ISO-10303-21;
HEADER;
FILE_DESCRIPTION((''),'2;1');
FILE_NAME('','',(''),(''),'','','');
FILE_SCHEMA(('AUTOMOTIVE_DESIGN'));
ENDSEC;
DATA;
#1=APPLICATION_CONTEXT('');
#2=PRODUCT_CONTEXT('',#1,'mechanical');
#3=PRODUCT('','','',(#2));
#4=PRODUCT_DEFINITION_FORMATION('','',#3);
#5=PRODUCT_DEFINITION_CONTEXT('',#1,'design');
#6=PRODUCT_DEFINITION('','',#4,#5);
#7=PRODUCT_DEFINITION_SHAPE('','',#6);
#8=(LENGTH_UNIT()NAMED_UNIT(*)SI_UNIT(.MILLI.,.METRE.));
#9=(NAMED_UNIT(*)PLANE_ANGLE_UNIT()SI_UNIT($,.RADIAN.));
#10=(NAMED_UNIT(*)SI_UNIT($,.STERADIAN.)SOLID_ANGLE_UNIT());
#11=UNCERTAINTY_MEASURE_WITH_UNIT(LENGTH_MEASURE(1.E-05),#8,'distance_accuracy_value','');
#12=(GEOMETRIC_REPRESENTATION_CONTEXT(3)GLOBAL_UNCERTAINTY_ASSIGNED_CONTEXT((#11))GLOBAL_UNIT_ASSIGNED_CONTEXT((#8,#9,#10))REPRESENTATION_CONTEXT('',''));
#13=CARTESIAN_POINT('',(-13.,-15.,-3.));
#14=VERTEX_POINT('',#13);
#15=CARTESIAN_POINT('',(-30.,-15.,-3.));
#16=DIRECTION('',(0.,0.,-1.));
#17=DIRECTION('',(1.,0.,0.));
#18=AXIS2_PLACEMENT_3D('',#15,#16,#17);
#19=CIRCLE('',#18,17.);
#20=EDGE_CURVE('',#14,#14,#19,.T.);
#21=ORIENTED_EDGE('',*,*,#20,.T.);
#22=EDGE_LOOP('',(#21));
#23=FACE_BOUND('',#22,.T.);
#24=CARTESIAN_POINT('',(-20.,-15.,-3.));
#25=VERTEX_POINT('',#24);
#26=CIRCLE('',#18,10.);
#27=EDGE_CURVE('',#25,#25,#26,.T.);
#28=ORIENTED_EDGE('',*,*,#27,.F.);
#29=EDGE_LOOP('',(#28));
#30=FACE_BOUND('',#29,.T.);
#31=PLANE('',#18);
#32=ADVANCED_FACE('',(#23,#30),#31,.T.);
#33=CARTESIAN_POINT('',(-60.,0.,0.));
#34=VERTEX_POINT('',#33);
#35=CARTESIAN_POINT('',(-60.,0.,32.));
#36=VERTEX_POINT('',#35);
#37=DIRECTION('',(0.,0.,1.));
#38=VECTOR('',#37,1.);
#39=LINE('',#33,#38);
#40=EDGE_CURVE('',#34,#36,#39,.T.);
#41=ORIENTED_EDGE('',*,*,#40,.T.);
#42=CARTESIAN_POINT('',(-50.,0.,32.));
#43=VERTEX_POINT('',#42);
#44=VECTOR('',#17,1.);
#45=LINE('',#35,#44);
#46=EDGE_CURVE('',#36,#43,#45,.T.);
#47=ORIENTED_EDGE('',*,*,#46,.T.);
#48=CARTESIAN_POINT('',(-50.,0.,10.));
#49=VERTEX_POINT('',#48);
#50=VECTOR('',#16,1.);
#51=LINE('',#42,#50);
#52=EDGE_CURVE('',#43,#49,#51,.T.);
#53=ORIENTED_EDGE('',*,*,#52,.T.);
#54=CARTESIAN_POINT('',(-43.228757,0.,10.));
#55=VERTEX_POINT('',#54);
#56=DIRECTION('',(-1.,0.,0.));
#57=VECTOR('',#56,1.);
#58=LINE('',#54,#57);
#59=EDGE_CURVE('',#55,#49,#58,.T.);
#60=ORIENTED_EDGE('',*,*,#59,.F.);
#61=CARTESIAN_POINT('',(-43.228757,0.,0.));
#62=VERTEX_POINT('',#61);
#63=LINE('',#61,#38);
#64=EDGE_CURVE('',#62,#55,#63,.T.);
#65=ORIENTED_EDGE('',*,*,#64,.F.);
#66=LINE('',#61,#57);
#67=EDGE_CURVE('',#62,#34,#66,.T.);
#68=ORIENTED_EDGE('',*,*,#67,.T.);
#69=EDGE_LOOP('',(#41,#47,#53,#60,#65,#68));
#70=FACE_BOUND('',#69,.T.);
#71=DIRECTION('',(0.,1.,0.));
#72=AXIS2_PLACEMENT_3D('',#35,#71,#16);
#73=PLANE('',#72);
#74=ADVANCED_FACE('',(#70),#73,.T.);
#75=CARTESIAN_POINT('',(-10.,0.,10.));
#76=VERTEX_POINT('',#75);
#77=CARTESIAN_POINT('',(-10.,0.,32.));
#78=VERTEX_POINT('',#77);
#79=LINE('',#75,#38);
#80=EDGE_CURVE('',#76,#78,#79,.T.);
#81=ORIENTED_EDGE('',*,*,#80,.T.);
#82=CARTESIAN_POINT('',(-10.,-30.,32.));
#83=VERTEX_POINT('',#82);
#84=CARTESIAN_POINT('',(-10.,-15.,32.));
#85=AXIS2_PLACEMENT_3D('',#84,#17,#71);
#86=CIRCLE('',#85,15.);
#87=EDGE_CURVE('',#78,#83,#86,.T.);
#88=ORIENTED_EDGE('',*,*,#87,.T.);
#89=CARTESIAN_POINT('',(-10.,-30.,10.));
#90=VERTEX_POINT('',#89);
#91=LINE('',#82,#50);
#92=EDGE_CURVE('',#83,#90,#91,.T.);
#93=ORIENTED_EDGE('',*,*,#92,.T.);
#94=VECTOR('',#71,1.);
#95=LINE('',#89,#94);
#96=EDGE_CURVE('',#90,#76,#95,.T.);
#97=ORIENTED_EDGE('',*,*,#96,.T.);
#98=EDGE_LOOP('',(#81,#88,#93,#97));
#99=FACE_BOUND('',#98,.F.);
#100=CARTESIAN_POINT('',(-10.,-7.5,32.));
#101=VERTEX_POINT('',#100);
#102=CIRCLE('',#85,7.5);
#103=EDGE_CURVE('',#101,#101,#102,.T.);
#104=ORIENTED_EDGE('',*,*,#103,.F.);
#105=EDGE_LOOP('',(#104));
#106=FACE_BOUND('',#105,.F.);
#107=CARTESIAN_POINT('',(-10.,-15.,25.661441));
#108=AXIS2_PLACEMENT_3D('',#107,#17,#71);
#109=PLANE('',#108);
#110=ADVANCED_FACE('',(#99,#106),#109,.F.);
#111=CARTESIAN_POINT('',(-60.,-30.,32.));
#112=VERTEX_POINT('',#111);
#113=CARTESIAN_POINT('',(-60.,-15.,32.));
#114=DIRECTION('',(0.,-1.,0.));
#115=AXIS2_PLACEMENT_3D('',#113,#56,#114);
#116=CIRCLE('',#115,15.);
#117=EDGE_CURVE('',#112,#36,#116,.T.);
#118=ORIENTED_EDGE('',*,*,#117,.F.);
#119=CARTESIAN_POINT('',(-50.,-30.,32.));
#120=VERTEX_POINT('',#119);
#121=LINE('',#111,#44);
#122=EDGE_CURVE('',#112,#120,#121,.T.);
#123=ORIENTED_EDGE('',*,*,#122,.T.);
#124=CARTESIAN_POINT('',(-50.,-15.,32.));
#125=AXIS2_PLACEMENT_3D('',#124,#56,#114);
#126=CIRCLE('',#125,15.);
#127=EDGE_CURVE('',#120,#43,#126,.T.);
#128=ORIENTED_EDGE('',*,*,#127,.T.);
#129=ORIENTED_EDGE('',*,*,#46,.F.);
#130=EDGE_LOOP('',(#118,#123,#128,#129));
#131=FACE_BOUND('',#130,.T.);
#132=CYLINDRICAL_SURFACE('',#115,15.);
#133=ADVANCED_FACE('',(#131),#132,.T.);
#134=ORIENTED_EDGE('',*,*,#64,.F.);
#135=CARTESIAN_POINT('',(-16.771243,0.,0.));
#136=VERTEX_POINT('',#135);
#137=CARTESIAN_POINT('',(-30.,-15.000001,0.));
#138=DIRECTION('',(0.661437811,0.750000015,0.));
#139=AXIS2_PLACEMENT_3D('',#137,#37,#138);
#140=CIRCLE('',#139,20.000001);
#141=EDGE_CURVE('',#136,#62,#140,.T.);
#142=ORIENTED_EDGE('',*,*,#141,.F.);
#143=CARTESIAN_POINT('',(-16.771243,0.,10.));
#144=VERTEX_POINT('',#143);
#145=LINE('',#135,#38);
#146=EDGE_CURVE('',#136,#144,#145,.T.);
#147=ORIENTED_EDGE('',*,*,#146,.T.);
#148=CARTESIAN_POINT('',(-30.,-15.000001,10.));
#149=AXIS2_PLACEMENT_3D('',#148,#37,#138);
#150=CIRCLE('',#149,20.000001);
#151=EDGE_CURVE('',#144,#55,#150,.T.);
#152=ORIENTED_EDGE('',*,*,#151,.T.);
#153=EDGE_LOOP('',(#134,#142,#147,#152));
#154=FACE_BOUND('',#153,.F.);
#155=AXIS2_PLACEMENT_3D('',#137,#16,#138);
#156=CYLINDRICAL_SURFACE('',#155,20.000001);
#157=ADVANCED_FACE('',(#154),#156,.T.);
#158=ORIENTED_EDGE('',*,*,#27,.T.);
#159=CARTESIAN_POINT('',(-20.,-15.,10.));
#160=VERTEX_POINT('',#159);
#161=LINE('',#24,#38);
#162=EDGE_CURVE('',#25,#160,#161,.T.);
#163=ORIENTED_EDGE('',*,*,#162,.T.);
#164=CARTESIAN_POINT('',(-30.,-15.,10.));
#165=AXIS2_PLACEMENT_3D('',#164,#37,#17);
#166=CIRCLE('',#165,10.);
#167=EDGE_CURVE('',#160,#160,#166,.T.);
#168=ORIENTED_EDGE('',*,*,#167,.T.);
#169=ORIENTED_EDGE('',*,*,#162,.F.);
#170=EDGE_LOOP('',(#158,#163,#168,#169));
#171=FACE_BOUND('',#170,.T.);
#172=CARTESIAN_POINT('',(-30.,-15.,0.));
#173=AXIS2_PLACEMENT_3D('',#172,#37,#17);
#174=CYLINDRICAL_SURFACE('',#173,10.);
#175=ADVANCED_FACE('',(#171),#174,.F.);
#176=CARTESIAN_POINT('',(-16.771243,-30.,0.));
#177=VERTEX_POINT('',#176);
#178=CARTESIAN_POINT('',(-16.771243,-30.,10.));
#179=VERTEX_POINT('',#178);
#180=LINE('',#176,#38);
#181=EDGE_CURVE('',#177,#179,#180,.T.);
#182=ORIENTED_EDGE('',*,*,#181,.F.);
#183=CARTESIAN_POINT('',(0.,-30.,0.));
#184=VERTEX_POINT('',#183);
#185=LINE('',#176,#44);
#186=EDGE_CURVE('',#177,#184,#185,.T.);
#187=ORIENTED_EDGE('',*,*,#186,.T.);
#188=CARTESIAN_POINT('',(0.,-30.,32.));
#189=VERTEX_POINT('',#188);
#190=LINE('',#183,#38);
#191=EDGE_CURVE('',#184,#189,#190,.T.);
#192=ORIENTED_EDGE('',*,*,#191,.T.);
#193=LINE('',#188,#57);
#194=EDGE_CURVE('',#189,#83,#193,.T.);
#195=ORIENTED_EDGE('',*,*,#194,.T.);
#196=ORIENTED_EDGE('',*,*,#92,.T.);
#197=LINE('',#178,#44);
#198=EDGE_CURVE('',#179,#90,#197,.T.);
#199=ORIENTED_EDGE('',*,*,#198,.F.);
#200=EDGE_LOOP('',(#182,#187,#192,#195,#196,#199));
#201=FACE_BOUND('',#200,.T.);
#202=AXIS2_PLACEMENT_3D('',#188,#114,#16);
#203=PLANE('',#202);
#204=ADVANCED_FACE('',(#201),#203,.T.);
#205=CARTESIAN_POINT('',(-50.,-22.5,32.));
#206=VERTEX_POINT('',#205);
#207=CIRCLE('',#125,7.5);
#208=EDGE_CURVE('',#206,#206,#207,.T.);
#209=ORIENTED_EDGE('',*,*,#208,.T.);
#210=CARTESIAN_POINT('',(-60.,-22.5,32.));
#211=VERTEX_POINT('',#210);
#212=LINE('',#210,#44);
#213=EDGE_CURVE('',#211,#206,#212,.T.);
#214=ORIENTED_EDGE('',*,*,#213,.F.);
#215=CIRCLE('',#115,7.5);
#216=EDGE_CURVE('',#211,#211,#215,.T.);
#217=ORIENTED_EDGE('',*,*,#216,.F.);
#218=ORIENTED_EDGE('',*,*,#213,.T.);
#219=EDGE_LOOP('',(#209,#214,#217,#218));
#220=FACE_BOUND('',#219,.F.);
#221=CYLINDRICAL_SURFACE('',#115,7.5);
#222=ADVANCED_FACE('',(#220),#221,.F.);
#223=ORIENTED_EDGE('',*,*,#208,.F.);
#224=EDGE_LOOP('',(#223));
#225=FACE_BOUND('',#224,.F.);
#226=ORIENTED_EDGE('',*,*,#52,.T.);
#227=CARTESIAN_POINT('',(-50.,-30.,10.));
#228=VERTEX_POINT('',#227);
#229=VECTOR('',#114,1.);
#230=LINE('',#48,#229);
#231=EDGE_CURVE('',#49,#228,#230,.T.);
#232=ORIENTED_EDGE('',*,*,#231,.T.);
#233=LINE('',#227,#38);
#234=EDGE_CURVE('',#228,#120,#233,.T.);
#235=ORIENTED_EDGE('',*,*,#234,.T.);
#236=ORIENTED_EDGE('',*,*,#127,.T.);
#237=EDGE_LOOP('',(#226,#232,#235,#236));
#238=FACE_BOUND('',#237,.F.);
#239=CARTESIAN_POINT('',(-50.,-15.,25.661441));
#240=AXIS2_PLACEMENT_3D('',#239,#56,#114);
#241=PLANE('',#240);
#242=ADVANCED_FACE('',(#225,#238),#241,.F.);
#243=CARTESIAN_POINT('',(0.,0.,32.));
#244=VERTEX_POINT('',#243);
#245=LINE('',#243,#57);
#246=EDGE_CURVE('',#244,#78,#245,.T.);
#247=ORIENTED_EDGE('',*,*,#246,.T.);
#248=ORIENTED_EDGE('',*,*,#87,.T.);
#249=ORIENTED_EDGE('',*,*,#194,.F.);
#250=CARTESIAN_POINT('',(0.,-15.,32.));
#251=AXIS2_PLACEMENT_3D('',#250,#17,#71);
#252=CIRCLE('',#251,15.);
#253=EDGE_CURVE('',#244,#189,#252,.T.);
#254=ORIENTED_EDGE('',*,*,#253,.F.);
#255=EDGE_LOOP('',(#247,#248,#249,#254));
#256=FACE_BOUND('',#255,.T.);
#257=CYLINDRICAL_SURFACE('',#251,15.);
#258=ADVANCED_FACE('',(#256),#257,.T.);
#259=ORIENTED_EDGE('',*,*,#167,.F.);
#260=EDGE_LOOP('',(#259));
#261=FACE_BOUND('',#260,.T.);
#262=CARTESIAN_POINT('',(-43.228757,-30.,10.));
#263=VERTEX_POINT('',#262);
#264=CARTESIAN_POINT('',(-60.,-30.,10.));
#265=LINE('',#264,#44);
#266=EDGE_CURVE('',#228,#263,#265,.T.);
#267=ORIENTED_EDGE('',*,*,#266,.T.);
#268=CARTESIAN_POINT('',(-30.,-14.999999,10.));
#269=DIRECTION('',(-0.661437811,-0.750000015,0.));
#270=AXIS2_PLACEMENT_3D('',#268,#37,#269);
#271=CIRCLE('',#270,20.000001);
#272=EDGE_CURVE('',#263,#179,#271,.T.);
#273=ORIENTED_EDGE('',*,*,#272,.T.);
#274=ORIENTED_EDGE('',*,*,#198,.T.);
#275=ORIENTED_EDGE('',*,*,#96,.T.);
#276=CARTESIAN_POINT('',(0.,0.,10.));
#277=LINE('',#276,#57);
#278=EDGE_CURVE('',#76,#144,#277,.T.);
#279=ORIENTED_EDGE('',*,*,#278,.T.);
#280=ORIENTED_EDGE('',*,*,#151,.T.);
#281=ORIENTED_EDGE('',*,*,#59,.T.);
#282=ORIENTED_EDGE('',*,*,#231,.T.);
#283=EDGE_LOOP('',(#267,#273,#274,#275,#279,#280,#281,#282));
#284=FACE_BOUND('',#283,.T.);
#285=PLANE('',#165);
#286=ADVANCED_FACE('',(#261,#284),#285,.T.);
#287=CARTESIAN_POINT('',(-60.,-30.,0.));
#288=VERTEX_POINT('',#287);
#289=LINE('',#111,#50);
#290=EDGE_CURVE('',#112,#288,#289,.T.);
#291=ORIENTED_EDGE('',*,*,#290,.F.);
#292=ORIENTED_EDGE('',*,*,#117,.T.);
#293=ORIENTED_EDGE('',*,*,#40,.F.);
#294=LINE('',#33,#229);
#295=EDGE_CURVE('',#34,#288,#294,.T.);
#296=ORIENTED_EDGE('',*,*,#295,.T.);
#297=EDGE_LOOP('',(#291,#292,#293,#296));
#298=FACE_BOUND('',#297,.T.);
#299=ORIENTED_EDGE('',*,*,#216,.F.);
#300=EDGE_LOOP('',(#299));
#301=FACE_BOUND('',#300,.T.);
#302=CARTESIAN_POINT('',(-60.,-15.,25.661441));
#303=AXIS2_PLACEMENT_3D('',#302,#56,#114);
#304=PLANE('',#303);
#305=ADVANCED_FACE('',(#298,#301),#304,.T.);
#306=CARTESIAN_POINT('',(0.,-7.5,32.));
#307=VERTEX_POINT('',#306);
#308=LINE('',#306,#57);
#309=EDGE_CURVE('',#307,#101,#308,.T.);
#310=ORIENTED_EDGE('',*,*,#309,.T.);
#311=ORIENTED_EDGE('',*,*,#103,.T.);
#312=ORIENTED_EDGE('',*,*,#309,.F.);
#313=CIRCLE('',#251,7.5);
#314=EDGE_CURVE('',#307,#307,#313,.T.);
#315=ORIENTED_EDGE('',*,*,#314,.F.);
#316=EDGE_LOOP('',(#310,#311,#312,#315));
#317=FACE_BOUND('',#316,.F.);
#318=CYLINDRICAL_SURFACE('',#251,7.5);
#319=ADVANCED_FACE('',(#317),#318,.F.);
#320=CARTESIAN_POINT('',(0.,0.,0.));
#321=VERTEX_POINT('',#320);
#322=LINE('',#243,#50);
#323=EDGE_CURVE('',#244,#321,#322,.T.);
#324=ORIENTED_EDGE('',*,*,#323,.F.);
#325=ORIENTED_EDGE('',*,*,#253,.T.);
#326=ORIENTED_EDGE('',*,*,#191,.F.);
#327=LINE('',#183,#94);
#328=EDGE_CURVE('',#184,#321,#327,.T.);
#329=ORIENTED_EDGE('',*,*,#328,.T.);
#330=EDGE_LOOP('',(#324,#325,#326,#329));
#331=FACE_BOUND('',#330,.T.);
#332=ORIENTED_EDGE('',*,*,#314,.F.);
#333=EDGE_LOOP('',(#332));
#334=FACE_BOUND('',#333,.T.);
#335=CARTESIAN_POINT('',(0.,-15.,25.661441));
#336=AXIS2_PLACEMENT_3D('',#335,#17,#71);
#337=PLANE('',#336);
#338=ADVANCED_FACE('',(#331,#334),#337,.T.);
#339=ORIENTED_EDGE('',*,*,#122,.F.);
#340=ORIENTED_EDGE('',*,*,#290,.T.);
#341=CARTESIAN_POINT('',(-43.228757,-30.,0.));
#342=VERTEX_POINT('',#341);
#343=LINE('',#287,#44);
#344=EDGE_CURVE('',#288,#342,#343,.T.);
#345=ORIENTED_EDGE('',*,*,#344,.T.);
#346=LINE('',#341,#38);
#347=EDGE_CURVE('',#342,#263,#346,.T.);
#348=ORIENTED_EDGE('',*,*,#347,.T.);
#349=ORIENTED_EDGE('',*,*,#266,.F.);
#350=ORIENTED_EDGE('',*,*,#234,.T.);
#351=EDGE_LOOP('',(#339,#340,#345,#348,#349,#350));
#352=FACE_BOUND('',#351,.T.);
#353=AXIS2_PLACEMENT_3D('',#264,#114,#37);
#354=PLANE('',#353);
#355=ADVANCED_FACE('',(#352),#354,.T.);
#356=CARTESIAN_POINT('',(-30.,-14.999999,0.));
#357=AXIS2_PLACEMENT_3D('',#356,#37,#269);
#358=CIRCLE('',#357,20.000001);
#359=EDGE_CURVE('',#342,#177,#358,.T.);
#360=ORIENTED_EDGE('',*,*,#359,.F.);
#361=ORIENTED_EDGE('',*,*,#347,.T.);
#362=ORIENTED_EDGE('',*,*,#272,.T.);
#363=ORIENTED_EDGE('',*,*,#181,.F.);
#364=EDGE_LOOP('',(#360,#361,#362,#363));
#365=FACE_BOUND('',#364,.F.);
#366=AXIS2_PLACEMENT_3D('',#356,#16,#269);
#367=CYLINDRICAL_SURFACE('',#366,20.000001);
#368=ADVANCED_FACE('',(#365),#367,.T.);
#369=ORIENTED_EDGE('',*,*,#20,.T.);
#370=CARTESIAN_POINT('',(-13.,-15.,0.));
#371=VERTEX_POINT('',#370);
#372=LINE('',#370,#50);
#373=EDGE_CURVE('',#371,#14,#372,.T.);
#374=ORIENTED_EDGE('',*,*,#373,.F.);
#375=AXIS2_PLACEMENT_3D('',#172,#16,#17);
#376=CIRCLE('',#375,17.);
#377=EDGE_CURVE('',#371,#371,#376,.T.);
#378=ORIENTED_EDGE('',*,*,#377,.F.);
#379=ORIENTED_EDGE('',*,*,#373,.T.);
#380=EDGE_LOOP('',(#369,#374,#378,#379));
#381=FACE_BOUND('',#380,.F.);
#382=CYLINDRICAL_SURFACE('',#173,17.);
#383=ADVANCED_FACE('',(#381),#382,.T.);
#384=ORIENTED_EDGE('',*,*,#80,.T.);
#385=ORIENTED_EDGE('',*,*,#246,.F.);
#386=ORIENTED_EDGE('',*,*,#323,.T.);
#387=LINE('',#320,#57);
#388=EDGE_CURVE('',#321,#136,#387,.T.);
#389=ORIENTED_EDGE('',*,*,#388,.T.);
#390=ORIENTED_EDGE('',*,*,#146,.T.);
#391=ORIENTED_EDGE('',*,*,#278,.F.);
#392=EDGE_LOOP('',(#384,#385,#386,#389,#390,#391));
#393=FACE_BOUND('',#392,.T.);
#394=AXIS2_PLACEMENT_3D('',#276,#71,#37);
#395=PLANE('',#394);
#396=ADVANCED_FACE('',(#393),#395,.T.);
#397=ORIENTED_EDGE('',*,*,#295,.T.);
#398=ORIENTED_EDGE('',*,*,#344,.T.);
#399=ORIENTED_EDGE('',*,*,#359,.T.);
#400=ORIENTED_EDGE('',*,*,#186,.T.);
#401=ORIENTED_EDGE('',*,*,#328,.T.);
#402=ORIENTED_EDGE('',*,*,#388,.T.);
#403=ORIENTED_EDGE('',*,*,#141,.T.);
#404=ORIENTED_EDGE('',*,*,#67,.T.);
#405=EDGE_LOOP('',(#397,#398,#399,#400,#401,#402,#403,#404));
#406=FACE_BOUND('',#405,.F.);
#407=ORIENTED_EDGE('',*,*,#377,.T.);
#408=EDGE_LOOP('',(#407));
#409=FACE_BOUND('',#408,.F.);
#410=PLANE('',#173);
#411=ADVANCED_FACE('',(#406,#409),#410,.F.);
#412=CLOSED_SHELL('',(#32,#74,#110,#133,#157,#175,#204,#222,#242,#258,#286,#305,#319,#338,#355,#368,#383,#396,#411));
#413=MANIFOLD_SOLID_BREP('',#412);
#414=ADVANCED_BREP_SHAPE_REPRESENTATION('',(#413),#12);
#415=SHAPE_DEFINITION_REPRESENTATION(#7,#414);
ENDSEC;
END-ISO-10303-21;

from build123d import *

# Parameters (mm, degrees)
F0_R     = 10
F1_DEPTH = 10
F2_R     = 17
F2_R_2   = 10
F3_DEPTH = 3
F4_R     = 7.5
F5_DEPTH = 10
F6_R     = 7.5
F7_DEPTH = 10


with BuildPart() as f1:
    # F0 (on Top) → F1 (new body)
    with BuildSketch(Plane.XY):
        with BuildLine():
            Line((0, -30), (0, 0))
            Line((0, 0), (-16.771243, 0))
            ThreePointArc((-16.771243, 0), (-30, 5), (-43.228757, 0))
            Line((-43.228757, 0), (-60, 0))
            Line((-60, 0), (-60, -30))
            Line((-60, -30), (-43.228757, -30))
            ThreePointArc((-43.228757, -30), (-30, -35), (-16.771243, -30))
            Line((-16.771243, -30), (0, -30))
        make_face()
        with Locations((-30, -15)):
            Circle(F0_R, mode=Mode.SUBTRACT)
    extrude(amount=F1_DEPTH)

    # F2 (on face) → F3 (join)
    with BuildSketch(Plane(origin=(0, 0, 0), x_dir=(1, 0, 0), z_dir=(0, 0, -1))):
        with Locations((-30, 15)):
            Circle(F2_R)
        with Locations((-30, 15)):
            Circle(F2_R_2, mode=Mode.SUBTRACT)
    extrude(amount=F3_DEPTH)

    # F4 (on face) → F5 (join)
    with BuildSketch(Plane.YZ):
        with BuildLine():
            ThreePointArc((0, 32), (-15, 47), (-30, 32))
            Line((-30, 32), (-30, 10))
            Line((-30, 10), (0, 10))
            Line((0, 10), (0, 32))
        make_face()
        with Locations((-15, 32)):
            Circle(F4_R, mode=Mode.SUBTRACT)
    extrude(amount=-F5_DEPTH)

    # F6 (on face) → F7 (join)
    with BuildSketch(Plane(origin=(-60, 0, 0), x_dir=(0, -1, 0), z_dir=(-1, 0, 0))):
        with BuildLine():
            ThreePointArc((30, 32), (15, 47), (0, 32))
            Line((0, 32), (0, 10))
            Line((0, 10), (30, 10))
            Line((30, 10), (30, 32))
        make_face()
        with Locations((15, 32)):
            Circle(F6_R, mode=Mode.SUBTRACT)
    extrude(amount=-F7_DEPTH)


solid = f1.part
